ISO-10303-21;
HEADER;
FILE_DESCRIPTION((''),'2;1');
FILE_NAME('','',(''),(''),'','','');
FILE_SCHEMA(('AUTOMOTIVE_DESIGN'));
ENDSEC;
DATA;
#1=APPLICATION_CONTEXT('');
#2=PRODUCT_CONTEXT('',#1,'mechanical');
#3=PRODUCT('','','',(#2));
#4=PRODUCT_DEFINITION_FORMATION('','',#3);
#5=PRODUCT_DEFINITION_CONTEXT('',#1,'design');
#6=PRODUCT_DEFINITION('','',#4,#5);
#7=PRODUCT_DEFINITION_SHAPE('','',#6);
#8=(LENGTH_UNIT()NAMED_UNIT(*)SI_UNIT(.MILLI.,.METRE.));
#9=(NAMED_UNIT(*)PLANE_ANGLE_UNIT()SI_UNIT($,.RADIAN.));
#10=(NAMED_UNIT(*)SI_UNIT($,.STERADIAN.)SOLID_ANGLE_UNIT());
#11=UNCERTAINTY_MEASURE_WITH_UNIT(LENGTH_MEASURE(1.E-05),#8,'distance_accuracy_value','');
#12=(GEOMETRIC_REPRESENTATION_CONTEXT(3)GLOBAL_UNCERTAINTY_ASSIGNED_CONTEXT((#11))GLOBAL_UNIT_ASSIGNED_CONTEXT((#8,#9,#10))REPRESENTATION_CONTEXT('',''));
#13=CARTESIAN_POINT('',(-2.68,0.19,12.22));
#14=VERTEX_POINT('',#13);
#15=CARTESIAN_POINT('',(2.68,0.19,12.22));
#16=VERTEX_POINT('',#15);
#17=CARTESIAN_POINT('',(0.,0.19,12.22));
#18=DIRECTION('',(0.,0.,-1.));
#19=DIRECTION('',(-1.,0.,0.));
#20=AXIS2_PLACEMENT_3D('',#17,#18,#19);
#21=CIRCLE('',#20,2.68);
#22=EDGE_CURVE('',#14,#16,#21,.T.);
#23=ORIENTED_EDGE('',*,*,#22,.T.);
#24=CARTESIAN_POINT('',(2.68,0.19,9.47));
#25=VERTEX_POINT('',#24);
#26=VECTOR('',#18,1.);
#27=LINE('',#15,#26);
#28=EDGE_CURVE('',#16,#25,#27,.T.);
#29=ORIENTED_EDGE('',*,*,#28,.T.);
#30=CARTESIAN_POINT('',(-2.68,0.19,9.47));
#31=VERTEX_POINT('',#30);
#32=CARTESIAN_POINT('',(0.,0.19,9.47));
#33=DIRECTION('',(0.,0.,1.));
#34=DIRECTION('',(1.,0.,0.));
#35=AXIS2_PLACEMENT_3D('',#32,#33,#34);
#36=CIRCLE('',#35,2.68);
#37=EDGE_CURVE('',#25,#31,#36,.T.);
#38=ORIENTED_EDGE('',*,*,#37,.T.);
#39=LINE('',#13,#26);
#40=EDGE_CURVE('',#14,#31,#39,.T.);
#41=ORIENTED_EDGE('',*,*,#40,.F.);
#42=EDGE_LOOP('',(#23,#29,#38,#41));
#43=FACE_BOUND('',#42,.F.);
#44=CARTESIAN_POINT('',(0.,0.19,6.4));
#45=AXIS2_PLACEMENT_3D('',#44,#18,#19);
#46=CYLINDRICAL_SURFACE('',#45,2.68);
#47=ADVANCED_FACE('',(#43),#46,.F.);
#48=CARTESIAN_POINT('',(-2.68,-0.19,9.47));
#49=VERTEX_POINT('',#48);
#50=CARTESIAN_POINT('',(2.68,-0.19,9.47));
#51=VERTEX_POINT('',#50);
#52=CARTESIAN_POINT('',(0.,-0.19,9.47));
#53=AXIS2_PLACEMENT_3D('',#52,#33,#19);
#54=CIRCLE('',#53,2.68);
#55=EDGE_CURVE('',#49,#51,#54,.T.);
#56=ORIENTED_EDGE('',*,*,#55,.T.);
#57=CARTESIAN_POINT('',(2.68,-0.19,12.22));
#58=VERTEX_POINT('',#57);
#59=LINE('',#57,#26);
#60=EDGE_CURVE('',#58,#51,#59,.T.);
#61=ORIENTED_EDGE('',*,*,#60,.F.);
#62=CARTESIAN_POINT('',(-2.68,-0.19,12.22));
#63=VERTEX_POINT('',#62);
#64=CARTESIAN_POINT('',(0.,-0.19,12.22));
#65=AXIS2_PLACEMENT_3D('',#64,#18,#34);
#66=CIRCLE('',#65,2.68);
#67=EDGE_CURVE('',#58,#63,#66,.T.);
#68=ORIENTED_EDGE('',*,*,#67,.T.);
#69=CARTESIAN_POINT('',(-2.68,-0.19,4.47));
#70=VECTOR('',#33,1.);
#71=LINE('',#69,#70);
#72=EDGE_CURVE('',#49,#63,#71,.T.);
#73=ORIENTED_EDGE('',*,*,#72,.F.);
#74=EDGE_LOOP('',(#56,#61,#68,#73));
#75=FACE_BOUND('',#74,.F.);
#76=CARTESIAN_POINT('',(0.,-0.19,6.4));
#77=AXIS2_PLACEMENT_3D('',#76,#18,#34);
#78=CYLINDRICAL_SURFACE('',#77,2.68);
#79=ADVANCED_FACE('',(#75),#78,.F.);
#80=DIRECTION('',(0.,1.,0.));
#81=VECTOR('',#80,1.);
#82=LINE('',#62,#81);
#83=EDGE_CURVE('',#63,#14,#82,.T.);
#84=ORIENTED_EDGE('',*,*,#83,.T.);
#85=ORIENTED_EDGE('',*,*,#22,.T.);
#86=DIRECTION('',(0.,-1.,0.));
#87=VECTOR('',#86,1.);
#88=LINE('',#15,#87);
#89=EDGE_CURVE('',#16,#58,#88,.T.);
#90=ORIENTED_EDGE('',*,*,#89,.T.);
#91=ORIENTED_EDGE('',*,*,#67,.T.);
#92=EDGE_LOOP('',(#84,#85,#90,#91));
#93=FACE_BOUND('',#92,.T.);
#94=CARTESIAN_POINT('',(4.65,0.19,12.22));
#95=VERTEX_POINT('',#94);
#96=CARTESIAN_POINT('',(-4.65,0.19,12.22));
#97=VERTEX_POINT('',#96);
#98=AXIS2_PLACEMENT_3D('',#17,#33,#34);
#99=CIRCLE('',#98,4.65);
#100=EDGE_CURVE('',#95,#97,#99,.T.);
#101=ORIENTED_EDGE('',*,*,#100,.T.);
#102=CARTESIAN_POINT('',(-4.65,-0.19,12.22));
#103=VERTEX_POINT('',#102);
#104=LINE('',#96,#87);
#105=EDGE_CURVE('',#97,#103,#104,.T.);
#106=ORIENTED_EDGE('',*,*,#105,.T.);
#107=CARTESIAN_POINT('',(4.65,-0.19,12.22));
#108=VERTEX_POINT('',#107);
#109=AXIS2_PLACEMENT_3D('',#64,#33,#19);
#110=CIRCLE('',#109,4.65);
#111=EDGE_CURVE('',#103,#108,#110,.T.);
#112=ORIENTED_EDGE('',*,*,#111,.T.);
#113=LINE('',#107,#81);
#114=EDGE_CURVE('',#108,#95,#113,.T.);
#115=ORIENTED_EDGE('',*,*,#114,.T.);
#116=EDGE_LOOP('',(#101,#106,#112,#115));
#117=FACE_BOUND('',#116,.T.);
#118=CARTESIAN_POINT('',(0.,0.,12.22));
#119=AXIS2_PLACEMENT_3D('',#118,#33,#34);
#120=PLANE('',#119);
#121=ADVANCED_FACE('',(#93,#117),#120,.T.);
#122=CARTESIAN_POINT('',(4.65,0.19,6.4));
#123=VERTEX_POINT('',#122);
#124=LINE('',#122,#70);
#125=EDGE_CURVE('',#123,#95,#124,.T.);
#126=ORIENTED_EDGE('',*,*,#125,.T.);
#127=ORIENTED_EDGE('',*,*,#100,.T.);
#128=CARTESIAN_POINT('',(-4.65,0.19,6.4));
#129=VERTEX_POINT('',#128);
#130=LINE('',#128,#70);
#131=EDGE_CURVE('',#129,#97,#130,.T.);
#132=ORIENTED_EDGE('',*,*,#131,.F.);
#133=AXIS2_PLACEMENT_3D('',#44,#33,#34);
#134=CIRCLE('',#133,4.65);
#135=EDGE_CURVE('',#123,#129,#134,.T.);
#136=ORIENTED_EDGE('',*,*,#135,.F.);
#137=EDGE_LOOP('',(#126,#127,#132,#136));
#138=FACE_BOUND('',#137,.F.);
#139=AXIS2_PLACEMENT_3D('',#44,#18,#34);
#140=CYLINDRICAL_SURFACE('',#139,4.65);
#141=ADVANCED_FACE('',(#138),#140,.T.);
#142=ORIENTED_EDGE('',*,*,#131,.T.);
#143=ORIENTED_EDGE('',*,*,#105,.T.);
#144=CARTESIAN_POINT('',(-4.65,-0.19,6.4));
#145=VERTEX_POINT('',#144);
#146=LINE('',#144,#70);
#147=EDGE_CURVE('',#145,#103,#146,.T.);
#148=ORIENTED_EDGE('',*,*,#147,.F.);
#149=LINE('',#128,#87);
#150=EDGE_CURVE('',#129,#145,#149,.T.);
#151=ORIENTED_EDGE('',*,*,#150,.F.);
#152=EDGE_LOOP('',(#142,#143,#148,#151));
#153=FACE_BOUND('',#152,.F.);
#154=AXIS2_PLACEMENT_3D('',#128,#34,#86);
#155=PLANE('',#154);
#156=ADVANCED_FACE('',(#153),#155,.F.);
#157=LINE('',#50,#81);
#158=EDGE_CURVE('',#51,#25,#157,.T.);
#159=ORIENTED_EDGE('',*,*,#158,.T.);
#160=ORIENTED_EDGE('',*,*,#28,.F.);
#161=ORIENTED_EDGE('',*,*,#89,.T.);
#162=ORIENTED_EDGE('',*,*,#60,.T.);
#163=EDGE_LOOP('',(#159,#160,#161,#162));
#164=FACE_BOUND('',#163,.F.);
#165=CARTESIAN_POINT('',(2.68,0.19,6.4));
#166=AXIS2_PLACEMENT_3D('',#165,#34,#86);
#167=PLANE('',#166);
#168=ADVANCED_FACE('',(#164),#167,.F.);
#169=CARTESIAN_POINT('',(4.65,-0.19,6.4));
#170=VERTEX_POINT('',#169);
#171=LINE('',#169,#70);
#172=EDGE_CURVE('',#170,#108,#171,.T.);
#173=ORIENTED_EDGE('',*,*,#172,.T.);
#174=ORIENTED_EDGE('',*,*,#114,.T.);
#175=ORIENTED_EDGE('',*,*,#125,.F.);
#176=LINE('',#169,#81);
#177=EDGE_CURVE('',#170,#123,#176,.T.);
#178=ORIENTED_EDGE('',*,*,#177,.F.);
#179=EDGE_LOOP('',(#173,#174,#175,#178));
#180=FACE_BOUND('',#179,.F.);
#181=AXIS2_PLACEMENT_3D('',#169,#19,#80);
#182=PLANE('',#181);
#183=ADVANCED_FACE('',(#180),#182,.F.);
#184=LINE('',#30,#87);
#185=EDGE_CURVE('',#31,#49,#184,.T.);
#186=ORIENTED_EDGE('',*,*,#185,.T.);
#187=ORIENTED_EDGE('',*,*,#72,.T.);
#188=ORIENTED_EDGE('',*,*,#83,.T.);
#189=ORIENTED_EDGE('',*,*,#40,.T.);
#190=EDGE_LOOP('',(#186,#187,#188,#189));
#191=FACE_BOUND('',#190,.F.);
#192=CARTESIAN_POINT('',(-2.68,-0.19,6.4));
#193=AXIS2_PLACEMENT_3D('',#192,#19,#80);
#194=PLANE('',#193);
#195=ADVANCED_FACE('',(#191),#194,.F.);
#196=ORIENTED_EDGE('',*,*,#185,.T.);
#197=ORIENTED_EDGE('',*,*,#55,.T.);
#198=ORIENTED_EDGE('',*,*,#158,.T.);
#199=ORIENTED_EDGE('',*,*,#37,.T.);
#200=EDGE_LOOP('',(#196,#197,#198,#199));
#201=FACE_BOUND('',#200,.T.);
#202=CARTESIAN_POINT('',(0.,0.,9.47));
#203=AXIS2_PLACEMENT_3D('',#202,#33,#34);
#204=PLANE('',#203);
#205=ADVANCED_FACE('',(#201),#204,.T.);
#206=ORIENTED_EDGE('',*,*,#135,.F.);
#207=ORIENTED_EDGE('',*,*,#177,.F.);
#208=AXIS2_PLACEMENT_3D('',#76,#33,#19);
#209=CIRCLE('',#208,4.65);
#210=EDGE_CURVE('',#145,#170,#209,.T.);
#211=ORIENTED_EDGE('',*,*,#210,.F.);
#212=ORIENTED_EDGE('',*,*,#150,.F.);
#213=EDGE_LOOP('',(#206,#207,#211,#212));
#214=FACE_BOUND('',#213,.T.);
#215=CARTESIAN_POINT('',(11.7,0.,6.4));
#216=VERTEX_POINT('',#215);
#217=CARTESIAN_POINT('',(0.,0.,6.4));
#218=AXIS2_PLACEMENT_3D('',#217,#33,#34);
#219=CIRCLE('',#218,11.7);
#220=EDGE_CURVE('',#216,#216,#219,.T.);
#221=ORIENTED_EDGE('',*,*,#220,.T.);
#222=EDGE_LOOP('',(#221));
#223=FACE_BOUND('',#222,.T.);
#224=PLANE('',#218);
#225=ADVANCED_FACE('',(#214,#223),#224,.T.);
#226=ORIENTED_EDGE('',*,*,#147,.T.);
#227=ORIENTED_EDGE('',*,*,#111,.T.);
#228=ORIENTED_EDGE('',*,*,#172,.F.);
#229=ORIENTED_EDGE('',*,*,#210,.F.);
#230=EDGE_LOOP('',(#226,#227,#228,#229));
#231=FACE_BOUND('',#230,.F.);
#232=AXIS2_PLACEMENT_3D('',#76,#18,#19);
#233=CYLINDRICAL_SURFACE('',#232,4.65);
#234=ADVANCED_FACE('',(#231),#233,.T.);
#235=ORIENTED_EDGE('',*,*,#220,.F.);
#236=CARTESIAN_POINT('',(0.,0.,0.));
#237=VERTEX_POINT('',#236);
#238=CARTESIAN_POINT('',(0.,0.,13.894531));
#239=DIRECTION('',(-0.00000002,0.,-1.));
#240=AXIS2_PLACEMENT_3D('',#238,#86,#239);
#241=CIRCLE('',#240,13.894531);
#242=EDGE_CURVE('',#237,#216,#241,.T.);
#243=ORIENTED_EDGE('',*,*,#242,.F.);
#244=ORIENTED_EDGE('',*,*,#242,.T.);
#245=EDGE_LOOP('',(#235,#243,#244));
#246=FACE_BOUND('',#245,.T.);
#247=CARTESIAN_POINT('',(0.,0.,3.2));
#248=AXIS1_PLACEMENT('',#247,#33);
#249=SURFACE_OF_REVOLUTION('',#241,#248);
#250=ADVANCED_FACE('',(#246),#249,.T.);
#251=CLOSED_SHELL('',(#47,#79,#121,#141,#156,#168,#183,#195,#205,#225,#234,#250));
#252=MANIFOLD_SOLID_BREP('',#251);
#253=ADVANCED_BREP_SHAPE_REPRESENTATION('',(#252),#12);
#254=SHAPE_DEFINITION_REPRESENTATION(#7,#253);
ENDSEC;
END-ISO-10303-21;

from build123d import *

# Parameters (mm, degrees)
F3_DEPTH = 5.82
F5_DEPTH = 7.75
F6_DEPTH = 5


with BuildPart() as f1:
    # F0 (on Front) → F1 (revolve)
    with BuildSketch(Plane.XZ):
        with BuildLine():
            Line((0, 6.4), (0, 0))
            ThreePointArc((0, 0), (6.668021, 1.704556), (11.7, 6.4))
            Line((11.7, 6.4), (0, 6.4))
        make_face()
    revolve(axis=Axis((0, 0, 3.2), (0, 0, 1)))

    # F2 (on face) → F3 (join)
    with BuildSketch(Plane.XY.offset(6.4)):
        with BuildLine():
            Line((4.65, -0.19), (4.65, 0.19))
            ThreePointArc((4.65, 0.19), (0, 4.84), (-4.65, 0.19))
            Line((-4.65, 0.19), (-4.65, -0.19))
            ThreePointArc((-4.65, -0.19), (0, -4.84), (4.65, -0.19))
        make_face()
        with BuildLine():
            Line((-2.68, -0.19), (-2.68, 0.19))
            ThreePointArc((-2.68, 0.19), (0, 2.87), (2.68, 0.19))
            Line((2.68, 0.19), (2.68, -0.19))
            ThreePointArc((2.68, -0.19), (0, -2.87), (-2.68, -0.19))
        make_face(mode=Mode.SUBTRACT)
    extrude(amount=F3_DEPTH)

    # F4 (on face) → F5 (cut)
    with BuildSketch(Plane.XY.offset(12.22)):
        with BuildLine():
            ThreePointArc((2.68, 0.19), (0, 2.87), (-2.68, 0.19))
            Line((-2.68, 0.19), (-2.68, -0.19))
            ThreePointArc((-2.68, -0.19), (0, -2.87), (2.68, -0.19))
            Line((2.68, -0.19), (2.68, 0.19))
        make_face()
    extrude(amount=-F5_DEPTH, mode=Mode.SUBTRACT)

    # F5_face (on face) → F6 (join)
    with BuildSketch(Plane.XY.offset(4.47)):
        with BuildLine():
            ThreePointArc((2.68, 0.19), (0, 2.87), (-2.68, 0.19))
            Line((-2.68, 0.19), (-2.68, -0.19))
            ThreePointArc((-2.68, -0.19), (0, -2.87), (2.68, -0.19))
            Line((2.68, -0.19), (2.68, 0.19))
        make_face()
    extrude(amount=F6_DEPTH)


solid = f1.part
